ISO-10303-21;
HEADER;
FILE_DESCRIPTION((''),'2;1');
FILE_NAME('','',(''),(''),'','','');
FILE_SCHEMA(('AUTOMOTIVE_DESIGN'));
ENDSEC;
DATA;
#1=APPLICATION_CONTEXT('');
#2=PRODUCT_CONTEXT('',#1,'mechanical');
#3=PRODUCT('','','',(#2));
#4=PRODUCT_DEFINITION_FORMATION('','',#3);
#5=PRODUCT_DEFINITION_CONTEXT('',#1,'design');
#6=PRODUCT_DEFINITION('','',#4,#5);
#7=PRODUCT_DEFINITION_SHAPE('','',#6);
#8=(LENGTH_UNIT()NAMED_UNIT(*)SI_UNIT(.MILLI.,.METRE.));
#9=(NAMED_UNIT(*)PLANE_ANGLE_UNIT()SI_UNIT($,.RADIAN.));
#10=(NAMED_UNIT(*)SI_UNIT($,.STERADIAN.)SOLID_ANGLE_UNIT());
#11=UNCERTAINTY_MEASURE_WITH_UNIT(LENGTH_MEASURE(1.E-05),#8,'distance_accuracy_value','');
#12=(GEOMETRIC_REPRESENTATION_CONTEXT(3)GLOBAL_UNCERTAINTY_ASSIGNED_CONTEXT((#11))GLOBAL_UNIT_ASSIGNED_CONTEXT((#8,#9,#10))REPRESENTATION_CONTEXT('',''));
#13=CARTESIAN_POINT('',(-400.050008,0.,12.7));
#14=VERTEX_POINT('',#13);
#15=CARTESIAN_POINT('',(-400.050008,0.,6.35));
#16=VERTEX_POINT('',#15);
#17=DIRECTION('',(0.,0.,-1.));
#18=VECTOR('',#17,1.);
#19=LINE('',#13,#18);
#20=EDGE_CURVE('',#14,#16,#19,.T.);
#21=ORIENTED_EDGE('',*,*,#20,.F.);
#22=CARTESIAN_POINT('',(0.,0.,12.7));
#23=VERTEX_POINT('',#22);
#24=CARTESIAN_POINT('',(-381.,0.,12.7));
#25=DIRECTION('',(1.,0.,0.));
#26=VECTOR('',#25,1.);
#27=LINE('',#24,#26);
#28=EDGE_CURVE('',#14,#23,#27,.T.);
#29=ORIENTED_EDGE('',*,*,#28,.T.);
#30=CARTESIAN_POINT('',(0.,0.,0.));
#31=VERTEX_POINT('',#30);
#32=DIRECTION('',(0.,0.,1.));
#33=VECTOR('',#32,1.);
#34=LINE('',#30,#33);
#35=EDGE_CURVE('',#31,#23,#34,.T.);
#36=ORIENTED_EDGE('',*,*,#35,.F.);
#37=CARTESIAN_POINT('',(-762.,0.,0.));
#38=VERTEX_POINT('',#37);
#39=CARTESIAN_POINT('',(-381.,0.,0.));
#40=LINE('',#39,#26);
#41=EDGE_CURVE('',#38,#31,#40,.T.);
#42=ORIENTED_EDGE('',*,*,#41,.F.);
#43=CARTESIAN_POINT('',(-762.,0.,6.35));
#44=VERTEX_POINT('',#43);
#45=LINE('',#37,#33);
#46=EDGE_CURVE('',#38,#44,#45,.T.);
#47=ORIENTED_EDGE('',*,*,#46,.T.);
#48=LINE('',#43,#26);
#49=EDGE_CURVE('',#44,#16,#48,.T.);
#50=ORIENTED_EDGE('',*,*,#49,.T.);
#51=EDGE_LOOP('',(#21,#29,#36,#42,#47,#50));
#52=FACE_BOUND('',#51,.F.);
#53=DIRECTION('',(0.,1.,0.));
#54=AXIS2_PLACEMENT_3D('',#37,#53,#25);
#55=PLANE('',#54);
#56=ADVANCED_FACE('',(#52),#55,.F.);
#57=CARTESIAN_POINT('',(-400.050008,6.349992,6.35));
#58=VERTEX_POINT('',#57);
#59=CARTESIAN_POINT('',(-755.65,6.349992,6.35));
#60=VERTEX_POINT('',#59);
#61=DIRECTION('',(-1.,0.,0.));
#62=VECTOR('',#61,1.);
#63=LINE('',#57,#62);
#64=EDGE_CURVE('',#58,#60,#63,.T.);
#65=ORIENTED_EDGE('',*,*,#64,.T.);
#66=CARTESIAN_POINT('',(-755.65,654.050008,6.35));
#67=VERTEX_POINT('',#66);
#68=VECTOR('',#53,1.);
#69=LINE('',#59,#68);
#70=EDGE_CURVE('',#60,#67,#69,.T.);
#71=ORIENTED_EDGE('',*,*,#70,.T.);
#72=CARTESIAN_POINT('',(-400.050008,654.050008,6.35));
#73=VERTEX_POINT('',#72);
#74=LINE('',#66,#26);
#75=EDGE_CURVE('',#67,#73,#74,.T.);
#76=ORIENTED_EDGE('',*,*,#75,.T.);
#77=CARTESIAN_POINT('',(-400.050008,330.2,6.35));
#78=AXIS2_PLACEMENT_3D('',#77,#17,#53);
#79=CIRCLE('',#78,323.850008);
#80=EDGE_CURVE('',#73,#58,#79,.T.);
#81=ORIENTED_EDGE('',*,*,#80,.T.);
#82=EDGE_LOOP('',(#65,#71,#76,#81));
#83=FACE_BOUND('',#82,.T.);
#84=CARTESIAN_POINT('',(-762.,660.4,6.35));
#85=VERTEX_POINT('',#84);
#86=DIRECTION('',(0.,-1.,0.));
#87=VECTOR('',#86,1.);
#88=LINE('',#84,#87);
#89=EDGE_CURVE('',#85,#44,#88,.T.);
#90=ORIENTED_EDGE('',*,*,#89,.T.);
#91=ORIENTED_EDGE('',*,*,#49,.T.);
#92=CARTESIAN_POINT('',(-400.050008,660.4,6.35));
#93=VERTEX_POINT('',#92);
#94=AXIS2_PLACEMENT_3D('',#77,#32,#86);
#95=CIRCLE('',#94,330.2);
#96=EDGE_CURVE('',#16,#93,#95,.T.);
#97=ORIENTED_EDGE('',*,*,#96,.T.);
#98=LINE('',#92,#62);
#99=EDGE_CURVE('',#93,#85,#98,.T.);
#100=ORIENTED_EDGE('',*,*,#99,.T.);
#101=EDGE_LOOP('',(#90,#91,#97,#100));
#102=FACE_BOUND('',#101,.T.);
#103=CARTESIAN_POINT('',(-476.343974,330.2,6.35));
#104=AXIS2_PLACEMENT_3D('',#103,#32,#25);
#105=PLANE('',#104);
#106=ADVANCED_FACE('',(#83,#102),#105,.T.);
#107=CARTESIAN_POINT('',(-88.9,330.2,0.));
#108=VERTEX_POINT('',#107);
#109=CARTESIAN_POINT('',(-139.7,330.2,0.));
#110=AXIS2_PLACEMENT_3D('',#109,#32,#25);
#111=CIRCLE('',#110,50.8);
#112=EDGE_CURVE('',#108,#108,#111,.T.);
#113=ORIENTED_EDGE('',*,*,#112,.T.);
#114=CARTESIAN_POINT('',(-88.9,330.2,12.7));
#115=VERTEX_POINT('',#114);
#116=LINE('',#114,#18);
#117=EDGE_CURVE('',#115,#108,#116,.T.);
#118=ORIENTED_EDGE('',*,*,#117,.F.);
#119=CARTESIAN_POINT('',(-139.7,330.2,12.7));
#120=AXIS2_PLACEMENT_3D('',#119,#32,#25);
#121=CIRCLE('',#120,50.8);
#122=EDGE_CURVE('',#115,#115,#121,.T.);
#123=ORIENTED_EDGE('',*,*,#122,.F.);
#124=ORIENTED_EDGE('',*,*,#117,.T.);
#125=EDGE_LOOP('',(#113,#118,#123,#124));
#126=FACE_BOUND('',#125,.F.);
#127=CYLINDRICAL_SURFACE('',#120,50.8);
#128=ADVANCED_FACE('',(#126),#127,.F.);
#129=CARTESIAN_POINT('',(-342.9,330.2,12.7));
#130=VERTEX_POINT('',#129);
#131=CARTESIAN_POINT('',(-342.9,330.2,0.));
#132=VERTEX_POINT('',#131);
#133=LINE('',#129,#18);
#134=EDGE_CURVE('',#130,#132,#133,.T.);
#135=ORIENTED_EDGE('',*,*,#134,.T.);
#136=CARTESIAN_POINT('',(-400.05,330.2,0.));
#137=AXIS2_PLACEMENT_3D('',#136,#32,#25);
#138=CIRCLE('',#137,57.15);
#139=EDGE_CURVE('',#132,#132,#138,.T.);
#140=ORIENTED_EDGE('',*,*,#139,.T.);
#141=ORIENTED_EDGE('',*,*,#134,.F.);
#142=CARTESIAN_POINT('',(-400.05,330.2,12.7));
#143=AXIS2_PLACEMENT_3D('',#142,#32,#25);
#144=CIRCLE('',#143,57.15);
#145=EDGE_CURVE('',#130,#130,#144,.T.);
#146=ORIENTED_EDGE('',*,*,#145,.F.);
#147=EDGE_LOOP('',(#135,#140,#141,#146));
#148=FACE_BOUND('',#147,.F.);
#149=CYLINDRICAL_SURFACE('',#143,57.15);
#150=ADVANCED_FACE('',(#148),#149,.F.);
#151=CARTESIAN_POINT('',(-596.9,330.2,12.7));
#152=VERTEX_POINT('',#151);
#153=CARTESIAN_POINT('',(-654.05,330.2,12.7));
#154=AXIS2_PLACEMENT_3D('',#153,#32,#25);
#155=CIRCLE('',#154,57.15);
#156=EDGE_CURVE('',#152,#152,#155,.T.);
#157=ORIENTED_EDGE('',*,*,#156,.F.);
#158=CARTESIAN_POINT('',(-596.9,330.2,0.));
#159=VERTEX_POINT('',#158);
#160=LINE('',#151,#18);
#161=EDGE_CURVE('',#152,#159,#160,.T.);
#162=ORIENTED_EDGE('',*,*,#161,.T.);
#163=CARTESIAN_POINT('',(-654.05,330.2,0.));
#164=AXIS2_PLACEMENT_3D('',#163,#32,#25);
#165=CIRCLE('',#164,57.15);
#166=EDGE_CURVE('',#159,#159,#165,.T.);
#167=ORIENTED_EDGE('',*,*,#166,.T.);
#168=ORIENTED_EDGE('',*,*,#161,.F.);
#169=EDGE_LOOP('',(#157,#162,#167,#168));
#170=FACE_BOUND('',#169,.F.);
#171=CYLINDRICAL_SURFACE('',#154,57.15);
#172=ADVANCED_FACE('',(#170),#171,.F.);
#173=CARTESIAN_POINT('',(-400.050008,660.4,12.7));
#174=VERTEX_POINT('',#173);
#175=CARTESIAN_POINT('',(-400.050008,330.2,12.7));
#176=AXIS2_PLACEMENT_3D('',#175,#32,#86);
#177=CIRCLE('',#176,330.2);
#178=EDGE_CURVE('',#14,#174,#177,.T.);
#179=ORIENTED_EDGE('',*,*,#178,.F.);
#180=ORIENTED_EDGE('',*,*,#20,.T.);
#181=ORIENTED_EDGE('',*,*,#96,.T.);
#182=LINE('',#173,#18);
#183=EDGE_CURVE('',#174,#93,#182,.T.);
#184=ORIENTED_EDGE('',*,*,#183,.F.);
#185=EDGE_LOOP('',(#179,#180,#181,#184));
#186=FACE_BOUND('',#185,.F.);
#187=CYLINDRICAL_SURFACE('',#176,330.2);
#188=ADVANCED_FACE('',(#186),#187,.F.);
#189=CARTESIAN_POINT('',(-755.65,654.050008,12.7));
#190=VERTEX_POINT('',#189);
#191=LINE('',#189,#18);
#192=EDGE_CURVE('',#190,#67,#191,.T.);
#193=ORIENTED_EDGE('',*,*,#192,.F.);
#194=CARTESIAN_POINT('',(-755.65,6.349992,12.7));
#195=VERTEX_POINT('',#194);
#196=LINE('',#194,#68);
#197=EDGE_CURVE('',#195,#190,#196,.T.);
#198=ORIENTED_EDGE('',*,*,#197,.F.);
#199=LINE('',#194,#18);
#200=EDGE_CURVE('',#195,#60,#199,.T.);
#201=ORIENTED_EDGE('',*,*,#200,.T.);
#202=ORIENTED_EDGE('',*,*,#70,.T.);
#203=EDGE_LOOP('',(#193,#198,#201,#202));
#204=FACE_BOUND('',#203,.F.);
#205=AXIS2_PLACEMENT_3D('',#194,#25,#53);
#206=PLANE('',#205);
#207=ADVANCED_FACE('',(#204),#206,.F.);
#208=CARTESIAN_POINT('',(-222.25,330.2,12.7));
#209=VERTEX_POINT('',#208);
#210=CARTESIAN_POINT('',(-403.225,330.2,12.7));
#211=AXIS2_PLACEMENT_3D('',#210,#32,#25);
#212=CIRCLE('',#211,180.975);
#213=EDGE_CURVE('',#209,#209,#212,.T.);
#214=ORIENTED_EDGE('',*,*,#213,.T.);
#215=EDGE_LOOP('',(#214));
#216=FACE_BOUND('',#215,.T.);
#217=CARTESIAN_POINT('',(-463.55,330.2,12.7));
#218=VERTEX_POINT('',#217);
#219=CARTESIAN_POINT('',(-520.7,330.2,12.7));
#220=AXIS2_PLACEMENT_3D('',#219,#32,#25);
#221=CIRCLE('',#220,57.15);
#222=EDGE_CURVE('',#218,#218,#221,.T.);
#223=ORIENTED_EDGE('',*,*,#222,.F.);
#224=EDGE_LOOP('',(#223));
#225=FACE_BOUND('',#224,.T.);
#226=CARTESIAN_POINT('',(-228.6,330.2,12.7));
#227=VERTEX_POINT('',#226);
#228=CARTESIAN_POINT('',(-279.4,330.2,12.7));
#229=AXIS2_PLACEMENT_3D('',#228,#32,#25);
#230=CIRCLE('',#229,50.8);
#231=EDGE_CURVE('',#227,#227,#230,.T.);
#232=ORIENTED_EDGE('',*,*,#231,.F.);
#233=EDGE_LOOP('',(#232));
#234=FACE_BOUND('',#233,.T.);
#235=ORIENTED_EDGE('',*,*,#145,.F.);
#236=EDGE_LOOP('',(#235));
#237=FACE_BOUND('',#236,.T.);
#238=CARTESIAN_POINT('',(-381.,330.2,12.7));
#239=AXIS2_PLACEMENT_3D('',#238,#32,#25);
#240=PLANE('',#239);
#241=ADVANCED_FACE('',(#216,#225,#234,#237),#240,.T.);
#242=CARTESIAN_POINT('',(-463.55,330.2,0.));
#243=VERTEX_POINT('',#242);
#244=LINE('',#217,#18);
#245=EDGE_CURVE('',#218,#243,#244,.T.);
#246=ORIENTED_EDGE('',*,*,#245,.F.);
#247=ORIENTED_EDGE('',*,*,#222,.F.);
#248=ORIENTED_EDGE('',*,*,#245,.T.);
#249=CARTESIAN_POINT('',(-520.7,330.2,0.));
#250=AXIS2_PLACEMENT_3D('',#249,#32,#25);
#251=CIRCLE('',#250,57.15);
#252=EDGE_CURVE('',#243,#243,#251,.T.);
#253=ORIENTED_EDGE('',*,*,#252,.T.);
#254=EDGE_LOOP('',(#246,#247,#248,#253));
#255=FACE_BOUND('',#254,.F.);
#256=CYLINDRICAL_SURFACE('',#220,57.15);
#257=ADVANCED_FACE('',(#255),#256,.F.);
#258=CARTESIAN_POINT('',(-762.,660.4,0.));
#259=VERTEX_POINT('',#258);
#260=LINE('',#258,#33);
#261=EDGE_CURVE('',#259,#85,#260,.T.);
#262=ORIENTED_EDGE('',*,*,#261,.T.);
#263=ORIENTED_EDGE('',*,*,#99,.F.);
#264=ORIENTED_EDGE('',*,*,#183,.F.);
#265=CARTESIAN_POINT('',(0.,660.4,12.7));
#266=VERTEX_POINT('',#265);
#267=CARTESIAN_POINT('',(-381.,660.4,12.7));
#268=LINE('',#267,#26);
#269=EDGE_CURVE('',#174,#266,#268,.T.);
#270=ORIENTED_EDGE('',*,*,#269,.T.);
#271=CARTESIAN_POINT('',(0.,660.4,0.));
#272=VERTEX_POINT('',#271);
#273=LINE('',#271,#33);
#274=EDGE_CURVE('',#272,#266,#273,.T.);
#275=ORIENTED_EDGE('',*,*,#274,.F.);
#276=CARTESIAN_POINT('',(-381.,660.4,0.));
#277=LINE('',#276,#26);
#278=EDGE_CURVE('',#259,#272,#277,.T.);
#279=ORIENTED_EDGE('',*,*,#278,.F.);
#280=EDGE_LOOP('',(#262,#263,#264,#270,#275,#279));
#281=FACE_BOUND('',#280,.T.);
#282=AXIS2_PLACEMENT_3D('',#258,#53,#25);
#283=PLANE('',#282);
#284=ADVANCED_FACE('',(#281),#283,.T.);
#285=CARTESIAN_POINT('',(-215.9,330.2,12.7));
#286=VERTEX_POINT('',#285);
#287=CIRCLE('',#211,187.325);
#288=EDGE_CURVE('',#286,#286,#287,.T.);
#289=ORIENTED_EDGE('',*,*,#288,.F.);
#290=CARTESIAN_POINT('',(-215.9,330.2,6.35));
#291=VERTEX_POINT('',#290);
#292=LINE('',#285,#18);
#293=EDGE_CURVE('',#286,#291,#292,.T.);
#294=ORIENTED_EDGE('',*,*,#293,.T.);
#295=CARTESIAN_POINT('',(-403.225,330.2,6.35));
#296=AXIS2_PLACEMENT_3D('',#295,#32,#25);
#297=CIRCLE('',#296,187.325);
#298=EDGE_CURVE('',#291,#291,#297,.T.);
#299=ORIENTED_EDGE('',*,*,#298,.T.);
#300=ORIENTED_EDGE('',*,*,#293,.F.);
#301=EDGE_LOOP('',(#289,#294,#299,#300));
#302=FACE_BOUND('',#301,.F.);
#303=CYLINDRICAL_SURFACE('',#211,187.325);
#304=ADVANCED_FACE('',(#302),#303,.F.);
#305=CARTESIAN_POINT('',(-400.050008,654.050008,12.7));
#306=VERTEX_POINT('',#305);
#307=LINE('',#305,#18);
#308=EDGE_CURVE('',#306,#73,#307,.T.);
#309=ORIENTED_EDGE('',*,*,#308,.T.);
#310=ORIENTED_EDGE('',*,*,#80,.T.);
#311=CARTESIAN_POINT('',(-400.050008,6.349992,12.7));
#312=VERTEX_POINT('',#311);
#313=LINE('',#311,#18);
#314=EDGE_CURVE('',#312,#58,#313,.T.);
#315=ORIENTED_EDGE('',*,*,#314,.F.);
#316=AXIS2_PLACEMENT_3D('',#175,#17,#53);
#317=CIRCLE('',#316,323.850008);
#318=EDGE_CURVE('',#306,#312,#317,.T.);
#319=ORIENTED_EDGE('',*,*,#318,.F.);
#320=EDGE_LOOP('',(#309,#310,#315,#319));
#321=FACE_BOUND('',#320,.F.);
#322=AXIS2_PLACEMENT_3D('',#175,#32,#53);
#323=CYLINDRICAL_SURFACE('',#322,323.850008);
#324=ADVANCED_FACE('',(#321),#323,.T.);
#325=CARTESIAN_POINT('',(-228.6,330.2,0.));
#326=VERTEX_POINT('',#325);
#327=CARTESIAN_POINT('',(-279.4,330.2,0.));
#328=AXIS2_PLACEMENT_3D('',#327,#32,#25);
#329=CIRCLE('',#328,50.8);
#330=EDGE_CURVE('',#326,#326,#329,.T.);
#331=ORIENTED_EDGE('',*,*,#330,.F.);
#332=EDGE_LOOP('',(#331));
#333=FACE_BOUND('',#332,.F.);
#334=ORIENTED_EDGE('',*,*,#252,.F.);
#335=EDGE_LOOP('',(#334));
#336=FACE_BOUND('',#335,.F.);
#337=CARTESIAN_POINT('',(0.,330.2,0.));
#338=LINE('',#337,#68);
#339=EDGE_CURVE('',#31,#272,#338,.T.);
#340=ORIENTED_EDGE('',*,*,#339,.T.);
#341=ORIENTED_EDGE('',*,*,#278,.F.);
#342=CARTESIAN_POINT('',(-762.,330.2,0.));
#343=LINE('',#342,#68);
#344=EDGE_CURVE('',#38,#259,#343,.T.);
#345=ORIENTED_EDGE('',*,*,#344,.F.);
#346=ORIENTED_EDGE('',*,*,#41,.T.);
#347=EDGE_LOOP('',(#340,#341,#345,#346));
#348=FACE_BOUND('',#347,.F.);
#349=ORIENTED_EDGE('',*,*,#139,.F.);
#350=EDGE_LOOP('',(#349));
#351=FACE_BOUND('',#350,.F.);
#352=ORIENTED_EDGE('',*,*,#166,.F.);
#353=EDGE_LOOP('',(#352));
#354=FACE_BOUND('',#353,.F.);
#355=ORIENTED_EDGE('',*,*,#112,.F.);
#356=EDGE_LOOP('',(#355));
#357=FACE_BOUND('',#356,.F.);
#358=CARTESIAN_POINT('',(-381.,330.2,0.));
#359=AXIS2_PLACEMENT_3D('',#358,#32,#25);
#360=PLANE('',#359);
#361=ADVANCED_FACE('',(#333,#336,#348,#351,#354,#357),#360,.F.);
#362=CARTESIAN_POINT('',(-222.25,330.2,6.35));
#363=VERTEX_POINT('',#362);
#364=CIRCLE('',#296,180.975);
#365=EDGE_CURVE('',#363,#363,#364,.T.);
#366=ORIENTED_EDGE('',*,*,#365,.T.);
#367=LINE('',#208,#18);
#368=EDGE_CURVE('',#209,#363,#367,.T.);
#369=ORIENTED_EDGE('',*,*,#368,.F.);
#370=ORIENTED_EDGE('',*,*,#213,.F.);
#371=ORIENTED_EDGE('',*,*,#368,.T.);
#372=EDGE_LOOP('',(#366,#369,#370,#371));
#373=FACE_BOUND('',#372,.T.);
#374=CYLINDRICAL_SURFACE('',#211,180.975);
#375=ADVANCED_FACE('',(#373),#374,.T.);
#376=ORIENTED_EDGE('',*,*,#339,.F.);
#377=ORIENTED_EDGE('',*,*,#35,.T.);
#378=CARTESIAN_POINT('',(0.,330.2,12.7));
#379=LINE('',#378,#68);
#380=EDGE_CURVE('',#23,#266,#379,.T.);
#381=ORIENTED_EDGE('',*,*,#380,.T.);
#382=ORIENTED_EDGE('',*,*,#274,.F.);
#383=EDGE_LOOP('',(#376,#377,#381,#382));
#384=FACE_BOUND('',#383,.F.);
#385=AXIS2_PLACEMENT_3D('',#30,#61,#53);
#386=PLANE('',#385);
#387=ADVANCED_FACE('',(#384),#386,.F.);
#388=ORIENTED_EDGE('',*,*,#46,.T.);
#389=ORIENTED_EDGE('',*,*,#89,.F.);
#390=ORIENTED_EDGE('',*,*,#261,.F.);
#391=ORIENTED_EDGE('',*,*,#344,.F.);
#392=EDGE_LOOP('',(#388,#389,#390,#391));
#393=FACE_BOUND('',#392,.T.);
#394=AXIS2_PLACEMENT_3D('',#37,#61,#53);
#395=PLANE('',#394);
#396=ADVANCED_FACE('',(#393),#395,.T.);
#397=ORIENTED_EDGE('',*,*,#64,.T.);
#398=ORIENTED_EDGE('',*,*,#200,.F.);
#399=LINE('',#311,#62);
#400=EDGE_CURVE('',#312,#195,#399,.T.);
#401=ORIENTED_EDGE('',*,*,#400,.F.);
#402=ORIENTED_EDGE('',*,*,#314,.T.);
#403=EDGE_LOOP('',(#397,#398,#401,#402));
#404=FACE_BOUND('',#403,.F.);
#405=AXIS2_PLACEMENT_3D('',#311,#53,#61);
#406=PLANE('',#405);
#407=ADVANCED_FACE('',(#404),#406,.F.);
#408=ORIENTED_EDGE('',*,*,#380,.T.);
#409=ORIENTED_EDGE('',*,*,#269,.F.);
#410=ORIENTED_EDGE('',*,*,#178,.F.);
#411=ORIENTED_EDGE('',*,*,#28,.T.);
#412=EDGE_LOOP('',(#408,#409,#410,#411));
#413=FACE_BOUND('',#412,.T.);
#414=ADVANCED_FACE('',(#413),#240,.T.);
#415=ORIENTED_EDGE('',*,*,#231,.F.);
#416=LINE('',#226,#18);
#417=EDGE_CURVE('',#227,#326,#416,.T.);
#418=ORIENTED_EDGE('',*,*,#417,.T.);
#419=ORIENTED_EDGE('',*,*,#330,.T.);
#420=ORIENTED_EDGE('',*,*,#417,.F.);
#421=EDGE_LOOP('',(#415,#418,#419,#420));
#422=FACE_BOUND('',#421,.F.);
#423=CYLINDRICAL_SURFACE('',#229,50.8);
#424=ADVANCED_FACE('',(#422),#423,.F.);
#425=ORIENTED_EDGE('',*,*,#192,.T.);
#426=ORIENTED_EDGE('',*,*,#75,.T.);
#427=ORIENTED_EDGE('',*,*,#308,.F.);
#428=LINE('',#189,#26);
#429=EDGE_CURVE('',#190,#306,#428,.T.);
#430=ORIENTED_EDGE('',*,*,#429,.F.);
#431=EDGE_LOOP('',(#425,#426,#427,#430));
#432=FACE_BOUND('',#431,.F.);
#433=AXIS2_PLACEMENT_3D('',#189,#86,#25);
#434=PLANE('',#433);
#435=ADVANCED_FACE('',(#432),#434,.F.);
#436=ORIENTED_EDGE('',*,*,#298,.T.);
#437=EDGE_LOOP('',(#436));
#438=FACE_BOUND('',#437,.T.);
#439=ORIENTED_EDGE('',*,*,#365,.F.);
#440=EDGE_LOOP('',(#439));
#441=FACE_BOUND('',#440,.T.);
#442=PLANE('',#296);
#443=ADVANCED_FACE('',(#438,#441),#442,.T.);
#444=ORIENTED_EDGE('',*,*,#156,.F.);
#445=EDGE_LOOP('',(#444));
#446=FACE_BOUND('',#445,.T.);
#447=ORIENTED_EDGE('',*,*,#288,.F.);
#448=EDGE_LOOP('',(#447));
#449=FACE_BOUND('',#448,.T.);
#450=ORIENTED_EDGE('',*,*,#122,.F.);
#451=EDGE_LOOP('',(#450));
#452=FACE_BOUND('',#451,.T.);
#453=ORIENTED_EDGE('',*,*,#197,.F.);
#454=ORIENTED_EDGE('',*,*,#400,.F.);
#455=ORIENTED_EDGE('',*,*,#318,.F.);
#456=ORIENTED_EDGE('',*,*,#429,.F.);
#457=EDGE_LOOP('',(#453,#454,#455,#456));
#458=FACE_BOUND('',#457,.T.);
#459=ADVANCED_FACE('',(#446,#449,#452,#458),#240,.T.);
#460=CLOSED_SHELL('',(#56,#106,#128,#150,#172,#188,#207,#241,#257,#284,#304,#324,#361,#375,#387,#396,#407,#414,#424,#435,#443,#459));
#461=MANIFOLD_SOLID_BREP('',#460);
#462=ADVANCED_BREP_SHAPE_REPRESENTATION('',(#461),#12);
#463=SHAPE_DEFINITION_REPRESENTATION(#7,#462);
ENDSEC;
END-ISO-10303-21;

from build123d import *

# Parameters (mm, degrees)
F0_W     = 762
F0_H     = 660.4
F1_DEPTH = 12.7
F2_R     = 50.8
F2_R_2   = 57.15
F3_DEPTH = 12.701
F4_R     = 187.325
F4_R_2   = 180.975
F5_DEPTH = 6.35


with BuildPart() as f1:
    # F0 (on Top) → F1 (new body)
    with BuildSketch(Plane.XY):
        with Locations((-381, 330.2)):
            Rectangle(F0_W, F0_H)
    extrude(amount=F1_DEPTH)

    # F2 (on face) → F3 (cut, through all)
    with BuildSketch(Plane.XY.offset(12.7)):
        with Locations((-139.7, 330.2)):
            Circle(F2_R)
        with Locations((-279.4, 330.2)):
            Circle(F2_R)
        with Locations((-400.05, 330.2)):
            Circle(F2_R_2)
        with Locations((-520.7, 330.2)):
            Circle(F2_R_2)
        with Locations((-654.05, 330.2)):
            Circle(F2_R_2)
    extrude(amount=-F3_DEPTH, mode=Mode.SUBTRACT)

    # F4 (on face) → F5 (cut)
    with BuildSketch(Plane.XY.offset(12.7)):
        with BuildLine():
            Line((-762, 0), (-400.050008, 0))
            ThreePointArc((-400.050008, 0), (-69.850008, 330.2), (-400.050008, 660.4))
            Line((-400.050008, 660.4), (-762, 660.4))
            Line((-762, 660.4), (-762, 0))
        make_face()
        with BuildLine():
            ThreePointArc((-400.050008, 654.050008), (-76.2, 330.2), (-400.050008, 6.349992))
            Line((-400.050008, 6.349992), (-755.65, 6.349992))
            Line((-755.65, 6.349992), (-755.65, 654.050008))
            Line((-755.65, 654.050008), (-400.050008, 654.050008))
        make_face(mode=Mode.SUBTRACT)
        with Locations((-403.225, 330.2)):
            Circle(F4_R)
        with Locations((-403.225, 330.2)):
            Circle(F4_R_2, mode=Mode.SUBTRACT)
    extrude(amount=-F5_DEPTH, mode=Mode.SUBTRACT)


solid = f1.part
